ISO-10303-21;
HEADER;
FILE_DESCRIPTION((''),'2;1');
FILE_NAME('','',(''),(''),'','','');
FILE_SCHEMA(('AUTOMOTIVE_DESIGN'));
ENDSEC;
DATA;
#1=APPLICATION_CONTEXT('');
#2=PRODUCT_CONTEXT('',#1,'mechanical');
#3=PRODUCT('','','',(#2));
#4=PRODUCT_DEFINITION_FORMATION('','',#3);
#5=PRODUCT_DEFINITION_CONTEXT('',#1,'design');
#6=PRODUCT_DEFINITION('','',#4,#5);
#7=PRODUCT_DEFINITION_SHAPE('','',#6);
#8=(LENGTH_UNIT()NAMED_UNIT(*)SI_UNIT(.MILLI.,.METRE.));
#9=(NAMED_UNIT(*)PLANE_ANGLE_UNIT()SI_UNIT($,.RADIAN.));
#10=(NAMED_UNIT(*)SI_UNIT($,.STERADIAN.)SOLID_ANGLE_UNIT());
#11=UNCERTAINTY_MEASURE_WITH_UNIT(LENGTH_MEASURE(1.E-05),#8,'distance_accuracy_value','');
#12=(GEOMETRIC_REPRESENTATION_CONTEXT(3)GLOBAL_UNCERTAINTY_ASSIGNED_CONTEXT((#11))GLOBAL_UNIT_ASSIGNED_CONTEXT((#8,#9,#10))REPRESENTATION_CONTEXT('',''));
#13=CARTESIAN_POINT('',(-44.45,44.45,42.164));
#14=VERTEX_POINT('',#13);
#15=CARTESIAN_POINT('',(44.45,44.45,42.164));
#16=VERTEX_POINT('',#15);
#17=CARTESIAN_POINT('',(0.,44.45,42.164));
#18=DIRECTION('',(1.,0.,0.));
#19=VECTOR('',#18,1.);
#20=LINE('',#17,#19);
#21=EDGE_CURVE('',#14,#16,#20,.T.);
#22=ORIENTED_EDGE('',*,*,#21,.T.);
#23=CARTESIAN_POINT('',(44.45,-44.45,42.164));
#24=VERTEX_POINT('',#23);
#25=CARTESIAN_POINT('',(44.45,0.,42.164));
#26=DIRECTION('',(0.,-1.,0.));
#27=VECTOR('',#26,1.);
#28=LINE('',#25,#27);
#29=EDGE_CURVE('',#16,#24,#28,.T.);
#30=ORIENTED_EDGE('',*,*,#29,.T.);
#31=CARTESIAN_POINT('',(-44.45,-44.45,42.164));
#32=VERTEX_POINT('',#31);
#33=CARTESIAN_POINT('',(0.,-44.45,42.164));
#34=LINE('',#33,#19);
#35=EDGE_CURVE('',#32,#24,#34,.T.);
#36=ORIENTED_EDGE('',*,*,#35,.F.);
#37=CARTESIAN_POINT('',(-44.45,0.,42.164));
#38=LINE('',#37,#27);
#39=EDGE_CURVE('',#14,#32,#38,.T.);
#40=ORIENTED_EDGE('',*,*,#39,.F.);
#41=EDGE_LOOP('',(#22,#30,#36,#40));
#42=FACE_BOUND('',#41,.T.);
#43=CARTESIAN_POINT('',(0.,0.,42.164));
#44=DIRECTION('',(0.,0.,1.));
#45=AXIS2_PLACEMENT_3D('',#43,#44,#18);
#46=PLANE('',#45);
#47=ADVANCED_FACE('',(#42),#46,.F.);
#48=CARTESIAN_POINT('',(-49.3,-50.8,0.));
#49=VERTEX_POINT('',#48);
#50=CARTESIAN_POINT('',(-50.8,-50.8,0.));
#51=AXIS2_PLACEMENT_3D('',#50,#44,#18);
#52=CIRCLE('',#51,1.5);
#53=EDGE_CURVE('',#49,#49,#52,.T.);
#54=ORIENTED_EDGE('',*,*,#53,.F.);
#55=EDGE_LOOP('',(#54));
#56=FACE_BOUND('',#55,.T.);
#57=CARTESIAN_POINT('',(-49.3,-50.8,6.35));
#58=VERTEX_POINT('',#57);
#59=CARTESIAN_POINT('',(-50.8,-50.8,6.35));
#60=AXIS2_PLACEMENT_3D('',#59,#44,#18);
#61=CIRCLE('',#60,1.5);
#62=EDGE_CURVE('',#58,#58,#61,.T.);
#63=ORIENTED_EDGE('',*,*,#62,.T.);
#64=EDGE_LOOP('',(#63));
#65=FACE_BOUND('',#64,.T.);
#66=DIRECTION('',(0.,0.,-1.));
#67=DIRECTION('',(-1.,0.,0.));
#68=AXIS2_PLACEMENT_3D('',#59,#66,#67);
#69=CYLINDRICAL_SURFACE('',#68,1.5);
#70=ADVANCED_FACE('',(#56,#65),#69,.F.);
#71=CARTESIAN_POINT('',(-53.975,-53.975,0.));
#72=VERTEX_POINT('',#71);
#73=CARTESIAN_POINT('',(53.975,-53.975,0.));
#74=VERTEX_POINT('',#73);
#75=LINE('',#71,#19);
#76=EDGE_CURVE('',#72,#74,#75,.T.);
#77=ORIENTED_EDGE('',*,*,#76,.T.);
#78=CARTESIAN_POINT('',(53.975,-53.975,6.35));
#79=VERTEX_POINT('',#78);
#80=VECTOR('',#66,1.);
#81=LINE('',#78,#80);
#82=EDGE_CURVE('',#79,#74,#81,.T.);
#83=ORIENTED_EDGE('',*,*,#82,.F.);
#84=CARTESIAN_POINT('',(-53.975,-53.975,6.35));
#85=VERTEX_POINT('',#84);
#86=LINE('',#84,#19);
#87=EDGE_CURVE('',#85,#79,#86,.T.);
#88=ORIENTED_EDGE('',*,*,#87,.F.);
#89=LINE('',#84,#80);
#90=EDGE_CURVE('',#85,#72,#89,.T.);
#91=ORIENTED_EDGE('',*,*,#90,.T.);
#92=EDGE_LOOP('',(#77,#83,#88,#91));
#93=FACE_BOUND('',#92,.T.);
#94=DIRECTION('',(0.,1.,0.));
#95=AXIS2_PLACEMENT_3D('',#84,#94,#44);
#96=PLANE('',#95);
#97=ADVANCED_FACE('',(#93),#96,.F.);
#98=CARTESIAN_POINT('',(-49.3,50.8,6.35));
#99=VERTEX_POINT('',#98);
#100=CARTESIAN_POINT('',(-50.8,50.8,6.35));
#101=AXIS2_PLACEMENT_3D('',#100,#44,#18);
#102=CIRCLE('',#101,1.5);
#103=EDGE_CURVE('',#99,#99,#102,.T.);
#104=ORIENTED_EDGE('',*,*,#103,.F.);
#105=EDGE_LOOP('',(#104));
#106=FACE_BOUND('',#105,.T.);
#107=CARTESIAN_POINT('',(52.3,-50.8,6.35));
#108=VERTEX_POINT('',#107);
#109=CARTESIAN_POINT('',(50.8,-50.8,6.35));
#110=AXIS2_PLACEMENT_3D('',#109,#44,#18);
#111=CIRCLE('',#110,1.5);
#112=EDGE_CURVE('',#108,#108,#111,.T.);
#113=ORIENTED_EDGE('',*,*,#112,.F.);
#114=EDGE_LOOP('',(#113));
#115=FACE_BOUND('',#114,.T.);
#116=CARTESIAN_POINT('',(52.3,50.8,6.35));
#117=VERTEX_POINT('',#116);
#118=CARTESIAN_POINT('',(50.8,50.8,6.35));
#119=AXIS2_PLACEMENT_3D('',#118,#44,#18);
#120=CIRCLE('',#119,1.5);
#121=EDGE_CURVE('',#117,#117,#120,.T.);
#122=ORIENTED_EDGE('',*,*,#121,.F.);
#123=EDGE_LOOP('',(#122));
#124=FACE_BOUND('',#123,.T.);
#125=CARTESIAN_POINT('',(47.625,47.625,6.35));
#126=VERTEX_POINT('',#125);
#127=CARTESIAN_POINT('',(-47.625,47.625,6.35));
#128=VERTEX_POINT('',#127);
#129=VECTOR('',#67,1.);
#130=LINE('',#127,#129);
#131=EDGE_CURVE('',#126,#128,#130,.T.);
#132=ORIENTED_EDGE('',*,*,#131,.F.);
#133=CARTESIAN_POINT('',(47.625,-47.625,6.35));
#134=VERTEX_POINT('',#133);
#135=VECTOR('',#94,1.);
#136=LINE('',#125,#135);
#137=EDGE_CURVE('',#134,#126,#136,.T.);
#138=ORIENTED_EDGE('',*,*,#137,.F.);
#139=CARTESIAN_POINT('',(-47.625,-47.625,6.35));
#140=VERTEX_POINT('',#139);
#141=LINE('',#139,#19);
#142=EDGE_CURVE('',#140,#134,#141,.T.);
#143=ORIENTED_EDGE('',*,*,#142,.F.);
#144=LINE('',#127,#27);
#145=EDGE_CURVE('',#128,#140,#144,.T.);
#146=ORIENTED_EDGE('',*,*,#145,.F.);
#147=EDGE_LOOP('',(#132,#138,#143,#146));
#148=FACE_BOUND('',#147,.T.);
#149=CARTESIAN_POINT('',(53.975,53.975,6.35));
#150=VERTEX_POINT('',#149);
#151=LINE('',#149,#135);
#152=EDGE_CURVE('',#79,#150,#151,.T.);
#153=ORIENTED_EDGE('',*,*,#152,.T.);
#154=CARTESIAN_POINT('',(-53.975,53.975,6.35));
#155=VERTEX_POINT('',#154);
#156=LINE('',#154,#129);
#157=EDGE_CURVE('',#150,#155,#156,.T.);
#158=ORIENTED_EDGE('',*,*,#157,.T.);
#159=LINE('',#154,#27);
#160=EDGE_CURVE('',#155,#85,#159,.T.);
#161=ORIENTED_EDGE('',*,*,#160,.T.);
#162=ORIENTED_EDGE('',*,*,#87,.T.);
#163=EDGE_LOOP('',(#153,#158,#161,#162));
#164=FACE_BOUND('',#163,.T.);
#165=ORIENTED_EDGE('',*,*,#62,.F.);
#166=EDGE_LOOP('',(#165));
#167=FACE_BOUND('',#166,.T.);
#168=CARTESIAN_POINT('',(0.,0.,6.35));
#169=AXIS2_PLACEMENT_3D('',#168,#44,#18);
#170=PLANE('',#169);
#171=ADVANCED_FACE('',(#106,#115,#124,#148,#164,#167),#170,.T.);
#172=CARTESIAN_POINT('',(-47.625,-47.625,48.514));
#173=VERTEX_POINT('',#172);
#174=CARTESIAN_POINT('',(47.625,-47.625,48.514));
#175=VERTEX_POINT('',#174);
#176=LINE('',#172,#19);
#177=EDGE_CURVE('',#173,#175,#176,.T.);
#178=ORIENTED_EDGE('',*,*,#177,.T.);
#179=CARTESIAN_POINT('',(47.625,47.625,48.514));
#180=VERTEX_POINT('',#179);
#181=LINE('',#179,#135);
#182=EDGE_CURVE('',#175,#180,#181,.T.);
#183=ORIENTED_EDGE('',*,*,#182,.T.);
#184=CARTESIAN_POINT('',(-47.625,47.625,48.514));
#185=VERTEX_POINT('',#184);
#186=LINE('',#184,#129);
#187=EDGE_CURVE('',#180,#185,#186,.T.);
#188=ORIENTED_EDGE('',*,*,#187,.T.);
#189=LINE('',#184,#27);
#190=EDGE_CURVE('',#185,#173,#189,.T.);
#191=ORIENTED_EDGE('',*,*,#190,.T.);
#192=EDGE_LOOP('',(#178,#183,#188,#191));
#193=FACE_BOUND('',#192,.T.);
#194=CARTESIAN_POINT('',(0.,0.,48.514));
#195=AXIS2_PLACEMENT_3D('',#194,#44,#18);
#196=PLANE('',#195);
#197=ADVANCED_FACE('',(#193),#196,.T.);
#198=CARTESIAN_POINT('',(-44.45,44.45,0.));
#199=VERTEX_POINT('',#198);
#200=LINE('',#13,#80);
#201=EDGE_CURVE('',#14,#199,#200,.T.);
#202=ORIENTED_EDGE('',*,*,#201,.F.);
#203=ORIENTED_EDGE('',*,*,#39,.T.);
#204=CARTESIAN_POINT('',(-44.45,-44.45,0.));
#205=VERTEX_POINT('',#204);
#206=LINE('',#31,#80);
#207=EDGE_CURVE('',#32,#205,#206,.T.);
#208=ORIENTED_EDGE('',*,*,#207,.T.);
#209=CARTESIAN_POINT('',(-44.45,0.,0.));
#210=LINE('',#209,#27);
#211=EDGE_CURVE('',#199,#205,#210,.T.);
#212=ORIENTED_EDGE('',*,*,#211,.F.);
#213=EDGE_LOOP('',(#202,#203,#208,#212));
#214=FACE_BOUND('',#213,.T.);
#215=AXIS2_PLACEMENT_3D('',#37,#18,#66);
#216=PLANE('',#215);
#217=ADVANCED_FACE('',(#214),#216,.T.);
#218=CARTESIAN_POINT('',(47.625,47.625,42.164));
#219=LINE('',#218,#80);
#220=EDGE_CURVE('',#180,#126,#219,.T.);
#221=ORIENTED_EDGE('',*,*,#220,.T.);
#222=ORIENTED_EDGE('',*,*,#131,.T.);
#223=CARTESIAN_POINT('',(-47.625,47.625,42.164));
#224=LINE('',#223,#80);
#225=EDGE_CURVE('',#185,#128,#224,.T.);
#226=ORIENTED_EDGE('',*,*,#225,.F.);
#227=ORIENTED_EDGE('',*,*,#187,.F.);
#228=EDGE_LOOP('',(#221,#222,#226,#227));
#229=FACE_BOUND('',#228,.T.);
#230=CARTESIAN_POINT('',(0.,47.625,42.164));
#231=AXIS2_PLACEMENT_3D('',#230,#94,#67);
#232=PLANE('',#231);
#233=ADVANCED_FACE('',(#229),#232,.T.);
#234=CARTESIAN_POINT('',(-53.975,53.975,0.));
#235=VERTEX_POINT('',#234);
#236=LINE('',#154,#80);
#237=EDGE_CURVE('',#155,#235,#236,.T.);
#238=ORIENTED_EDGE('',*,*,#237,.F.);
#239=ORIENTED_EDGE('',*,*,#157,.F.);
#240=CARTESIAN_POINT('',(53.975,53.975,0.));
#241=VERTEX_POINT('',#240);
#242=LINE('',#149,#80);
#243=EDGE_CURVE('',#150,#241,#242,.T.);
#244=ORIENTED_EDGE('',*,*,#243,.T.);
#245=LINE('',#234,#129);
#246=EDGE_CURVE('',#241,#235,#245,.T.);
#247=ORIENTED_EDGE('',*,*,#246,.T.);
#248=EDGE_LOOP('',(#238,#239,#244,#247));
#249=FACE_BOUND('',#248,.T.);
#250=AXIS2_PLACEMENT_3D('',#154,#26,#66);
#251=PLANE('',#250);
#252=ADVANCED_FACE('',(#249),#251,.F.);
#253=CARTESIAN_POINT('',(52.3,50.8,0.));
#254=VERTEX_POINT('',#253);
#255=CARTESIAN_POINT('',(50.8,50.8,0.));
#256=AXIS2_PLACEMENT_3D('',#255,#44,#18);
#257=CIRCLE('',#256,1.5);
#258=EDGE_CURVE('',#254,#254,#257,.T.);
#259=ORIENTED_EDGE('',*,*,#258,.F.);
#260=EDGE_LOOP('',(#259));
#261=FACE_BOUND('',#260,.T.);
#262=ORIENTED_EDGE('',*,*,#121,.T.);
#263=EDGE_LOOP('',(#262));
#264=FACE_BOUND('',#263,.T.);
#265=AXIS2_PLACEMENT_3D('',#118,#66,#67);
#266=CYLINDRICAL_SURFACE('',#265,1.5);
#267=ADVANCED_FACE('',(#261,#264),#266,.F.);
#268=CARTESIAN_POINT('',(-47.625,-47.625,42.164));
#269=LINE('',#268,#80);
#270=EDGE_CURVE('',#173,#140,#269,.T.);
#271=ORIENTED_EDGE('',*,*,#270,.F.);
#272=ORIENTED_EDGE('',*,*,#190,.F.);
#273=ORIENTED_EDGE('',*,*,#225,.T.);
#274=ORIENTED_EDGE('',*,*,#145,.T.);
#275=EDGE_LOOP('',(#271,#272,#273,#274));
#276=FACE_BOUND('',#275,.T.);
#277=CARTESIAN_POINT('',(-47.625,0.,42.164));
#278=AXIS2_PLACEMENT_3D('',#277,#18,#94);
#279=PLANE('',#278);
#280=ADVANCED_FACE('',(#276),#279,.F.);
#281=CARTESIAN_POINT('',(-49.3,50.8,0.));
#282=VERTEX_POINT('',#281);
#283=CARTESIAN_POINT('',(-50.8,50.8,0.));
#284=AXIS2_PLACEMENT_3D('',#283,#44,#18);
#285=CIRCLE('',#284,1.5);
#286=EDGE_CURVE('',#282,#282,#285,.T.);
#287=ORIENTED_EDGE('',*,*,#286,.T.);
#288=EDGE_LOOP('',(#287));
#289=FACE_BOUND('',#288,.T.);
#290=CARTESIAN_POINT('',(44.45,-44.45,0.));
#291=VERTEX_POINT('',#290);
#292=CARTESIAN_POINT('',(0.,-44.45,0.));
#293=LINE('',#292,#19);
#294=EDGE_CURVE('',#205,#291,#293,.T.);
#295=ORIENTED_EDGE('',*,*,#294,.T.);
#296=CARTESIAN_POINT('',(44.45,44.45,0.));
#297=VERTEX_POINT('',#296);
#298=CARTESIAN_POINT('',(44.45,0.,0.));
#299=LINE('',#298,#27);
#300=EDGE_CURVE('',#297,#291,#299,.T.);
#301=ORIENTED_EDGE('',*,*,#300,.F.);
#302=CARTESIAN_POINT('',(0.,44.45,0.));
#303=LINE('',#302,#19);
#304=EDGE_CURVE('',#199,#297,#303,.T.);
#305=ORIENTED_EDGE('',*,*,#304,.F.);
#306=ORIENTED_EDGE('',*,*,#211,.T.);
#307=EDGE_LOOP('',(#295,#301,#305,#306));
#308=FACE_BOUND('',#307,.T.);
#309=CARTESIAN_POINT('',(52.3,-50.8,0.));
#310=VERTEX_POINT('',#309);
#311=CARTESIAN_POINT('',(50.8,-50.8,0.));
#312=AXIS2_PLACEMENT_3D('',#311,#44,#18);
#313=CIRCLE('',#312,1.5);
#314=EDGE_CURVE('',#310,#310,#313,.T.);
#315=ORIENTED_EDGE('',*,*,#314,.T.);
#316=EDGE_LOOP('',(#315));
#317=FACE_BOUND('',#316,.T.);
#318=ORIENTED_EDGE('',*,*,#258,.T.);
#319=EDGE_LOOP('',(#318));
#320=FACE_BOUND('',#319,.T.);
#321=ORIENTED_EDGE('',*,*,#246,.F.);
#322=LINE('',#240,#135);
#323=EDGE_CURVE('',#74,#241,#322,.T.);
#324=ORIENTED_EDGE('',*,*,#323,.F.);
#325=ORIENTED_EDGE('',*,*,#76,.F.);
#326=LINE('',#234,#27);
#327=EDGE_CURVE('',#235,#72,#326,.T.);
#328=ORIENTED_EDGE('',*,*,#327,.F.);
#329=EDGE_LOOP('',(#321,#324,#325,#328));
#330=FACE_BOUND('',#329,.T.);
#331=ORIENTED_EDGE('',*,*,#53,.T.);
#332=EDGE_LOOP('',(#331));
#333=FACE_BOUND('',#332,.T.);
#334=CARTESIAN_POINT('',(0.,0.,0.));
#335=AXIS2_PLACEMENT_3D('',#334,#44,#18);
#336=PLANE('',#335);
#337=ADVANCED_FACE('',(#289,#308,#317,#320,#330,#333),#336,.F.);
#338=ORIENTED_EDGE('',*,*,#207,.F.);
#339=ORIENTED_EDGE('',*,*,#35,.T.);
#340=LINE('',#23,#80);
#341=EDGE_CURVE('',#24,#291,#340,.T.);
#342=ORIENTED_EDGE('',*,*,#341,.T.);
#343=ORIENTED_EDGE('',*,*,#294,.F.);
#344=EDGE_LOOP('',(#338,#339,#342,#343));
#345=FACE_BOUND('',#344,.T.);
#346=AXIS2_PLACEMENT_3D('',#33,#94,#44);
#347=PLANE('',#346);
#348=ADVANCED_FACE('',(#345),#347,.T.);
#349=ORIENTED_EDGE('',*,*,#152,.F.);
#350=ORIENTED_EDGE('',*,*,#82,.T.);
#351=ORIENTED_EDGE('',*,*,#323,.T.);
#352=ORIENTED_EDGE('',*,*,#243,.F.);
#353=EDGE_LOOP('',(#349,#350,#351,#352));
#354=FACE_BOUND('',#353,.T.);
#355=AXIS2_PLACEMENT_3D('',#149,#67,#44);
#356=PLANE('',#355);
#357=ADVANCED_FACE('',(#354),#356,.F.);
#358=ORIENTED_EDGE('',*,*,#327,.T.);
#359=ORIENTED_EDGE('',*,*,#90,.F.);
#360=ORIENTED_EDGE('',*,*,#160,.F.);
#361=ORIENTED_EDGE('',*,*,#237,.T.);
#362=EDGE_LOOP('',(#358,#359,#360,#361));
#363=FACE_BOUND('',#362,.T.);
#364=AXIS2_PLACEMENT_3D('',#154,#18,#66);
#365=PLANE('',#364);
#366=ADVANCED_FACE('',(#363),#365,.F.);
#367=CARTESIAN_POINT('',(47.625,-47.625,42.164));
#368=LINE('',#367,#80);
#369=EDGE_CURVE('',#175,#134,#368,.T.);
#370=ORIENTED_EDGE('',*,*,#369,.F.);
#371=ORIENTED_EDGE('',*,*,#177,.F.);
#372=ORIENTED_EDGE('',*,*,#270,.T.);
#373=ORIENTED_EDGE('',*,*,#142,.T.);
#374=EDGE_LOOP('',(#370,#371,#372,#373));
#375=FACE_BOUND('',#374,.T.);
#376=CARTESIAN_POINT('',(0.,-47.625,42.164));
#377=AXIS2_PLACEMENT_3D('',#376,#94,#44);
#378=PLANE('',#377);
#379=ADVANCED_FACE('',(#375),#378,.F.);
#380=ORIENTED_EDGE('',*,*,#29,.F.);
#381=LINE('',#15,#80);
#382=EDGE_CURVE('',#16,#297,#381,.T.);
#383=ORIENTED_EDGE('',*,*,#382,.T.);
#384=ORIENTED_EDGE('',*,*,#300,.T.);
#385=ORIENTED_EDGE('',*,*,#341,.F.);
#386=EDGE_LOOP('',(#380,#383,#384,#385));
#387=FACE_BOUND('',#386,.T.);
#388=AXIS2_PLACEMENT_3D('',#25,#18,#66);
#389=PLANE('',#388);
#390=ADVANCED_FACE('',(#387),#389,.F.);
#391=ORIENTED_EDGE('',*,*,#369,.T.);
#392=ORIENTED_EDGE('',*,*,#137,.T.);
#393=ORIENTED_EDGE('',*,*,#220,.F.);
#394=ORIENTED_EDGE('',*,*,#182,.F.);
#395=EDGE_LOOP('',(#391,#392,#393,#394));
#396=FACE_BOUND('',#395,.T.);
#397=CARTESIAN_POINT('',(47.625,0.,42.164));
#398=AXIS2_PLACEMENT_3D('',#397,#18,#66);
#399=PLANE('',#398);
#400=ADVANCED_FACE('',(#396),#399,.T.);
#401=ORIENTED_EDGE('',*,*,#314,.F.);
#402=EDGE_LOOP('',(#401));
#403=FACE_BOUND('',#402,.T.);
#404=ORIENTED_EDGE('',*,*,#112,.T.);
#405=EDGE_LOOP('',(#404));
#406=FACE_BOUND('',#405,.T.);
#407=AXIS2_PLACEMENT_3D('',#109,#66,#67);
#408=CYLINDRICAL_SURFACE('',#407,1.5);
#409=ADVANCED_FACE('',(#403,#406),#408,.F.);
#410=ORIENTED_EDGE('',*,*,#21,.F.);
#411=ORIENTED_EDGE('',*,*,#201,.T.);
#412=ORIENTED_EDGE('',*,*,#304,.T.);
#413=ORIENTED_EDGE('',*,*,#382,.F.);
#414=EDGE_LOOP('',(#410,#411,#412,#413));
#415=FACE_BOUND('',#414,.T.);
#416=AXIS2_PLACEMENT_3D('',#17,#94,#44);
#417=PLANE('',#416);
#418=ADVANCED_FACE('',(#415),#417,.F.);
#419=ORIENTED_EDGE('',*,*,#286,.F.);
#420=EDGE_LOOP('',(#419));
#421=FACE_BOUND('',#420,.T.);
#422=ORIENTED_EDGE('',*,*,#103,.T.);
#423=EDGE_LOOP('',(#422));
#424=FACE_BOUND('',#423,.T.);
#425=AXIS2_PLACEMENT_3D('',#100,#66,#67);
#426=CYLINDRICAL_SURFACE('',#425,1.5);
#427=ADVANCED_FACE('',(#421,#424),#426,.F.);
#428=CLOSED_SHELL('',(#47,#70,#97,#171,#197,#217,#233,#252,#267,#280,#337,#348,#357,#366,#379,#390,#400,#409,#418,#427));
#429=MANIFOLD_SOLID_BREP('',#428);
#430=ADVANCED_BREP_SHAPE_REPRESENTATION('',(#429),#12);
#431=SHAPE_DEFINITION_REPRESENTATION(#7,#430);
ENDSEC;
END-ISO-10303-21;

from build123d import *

# Parameters (mm, degrees)
SKETCH6_W           = 95.25
SKETCH6_H           = 95.25
SKETCH6_W_2         = 88.9
SKETCH6_H_2         = 88.9
BOSS_EXTRUDE3_DEPTH = 42.164
SKETCH7_W           = 107.95
SKETCH7_H           = 107.95
SKETCH7_R           = 1.5
SKETCH7_W_2         = 95.25
SKETCH7_H_2         = 95.25
BOSS_EXTRUDE4_DEPTH = 6.35
SKETCH8_W           = 95.25
SKETCH8_H           = 95.25
BOSS_EXTRUDE5_DEPTH = 6.35


with BuildPart() as part:
    # Sketch6 → Boss-Extrude3 (new body)
    with BuildSketch(Plane.XY):
        Rectangle(SKETCH6_W, SKETCH6_H)
        Rectangle(SKETCH6_W_2, SKETCH6_H_2, mode=Mode.SUBTRACT)
    extrude(amount=BOSS_EXTRUDE3_DEPTH)

    # Sketch7 → Boss-Extrude4 (add)
    with BuildSketch(Plane.XY):
        Rectangle(SKETCH7_W, SKETCH7_H)
        with Locations((-50.8, 50.8)):
            Circle(SKETCH7_R, mode=Mode.SUBTRACT)
        with Locations((50.8, 50.8)):
            Circle(SKETCH7_R, mode=Mode.SUBTRACT)
        with Locations((-50.8, -50.8)):
            Circle(SKETCH7_R, mode=Mode.SUBTRACT)
        with Locations((50.8, -50.8)):
            Circle(SKETCH7_R, mode=Mode.SUBTRACT)
        Rectangle(SKETCH7_W_2, SKETCH7_H_2, mode=Mode.SUBTRACT)
    extrude(amount=BOSS_EXTRUDE4_DEPTH)

    # Sketch8 → Boss-Extrude5 (add)
    with BuildSketch(Plane.XY.offset(42.164)):
        Rectangle(SKETCH8_W, SKETCH8_H)
    extrude(amount=BOSS_EXTRUDE5_DEPTH)


solid = part.part
